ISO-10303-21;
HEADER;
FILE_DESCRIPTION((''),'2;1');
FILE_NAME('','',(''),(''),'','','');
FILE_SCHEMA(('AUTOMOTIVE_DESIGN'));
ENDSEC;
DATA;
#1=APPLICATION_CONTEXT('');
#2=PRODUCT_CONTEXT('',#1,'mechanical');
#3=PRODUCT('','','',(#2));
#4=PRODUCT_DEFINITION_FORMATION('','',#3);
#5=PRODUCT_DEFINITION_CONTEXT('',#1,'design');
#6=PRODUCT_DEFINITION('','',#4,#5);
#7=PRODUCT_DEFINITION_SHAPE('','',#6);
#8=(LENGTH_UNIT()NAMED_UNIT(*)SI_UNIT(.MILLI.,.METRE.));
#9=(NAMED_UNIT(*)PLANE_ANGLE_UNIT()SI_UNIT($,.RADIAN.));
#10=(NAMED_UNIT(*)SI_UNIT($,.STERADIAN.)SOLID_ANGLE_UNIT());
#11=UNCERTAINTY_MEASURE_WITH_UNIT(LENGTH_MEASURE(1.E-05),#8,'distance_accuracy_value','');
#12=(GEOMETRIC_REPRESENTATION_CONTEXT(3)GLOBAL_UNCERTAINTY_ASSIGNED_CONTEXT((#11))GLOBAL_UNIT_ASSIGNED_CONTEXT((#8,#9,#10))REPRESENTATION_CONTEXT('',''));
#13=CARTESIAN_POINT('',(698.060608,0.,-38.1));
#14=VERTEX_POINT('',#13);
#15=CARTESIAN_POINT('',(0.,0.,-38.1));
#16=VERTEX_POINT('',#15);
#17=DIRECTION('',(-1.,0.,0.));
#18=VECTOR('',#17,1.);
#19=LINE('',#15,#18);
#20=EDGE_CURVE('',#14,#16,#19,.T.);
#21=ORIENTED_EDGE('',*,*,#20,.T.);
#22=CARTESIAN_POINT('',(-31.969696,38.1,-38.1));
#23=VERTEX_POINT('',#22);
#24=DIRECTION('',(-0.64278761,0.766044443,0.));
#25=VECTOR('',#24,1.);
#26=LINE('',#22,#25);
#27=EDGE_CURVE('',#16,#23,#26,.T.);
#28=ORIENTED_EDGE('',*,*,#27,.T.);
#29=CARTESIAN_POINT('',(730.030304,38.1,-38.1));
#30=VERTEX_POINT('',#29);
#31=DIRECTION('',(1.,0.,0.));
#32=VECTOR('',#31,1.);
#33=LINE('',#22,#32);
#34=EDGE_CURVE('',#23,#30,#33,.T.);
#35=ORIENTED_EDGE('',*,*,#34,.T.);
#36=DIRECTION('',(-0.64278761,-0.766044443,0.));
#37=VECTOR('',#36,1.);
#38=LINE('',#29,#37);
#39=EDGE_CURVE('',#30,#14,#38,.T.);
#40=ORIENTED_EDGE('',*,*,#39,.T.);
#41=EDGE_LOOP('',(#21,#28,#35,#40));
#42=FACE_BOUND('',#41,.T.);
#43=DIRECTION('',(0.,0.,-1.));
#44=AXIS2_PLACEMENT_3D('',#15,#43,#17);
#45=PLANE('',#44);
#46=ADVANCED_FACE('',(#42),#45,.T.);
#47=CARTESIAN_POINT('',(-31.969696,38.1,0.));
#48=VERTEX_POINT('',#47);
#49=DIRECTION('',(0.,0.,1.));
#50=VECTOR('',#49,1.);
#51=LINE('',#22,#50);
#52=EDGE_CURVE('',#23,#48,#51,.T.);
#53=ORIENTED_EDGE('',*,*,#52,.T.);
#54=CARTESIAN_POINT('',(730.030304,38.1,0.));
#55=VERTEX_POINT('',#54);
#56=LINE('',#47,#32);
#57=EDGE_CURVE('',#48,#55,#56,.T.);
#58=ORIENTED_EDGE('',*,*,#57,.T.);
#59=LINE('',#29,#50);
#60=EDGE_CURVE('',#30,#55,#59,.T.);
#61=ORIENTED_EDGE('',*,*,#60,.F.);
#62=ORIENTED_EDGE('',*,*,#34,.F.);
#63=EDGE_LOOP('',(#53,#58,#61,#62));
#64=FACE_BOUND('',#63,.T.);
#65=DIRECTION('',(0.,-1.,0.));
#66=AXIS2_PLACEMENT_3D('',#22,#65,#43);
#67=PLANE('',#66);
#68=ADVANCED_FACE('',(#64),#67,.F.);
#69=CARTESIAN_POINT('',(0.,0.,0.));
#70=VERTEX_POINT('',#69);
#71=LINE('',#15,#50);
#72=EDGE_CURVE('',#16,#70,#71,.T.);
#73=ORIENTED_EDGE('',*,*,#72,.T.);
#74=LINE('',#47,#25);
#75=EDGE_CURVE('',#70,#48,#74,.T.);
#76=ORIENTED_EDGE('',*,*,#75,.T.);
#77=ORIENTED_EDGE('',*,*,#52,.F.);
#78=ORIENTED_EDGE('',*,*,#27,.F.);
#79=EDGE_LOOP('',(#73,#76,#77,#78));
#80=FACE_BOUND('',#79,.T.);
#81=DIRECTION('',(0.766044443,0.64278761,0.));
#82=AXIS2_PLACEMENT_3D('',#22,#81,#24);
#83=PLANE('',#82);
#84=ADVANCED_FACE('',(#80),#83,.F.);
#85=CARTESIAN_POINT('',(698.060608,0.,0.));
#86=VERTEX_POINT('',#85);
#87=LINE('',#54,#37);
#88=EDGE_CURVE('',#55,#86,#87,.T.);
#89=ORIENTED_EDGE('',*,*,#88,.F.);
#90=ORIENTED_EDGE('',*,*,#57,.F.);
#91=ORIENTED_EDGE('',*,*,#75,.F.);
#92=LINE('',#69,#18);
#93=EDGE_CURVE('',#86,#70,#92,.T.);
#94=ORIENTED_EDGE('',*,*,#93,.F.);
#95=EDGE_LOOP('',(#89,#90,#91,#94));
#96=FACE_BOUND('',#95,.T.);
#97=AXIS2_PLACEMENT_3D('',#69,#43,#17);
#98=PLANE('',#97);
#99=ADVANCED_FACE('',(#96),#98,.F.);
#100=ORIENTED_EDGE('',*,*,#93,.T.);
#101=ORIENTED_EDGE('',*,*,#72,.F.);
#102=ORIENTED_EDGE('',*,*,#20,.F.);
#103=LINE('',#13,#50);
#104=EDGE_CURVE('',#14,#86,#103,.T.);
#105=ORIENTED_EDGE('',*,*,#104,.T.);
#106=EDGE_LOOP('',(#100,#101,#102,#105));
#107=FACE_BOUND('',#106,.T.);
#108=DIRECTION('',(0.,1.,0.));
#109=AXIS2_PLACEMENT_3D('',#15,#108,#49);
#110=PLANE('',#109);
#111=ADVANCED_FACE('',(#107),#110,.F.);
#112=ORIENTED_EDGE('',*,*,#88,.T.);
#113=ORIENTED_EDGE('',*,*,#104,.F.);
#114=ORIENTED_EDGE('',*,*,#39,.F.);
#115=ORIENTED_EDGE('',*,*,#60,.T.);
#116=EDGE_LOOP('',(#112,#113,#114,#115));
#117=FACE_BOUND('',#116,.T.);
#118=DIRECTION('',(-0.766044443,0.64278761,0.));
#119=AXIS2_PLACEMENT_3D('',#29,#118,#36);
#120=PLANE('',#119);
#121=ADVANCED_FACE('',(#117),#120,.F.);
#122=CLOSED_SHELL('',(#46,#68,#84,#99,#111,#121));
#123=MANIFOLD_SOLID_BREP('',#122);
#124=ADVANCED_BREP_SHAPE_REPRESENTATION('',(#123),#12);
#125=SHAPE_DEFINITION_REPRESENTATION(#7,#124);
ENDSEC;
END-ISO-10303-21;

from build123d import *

# Parameters (mm, degrees)
BOSS_EXTRUDE1_DEPTH = 38.1


with BuildPart() as part:
    # Sketch1 → Boss-Extrude1 (new body)
    with BuildSketch(Plane(origin=(0, 0, 0), x_dir=(1, 0, 0), z_dir=(0, 0, -1))):
        Polygon((-31.969695948, -38.1), (0, 0), (698.060608104, 0), (730.030304052, -38.1), align=None)
    extrude(amount=BOSS_EXTRUDE1_DEPTH)


solid = part.part
